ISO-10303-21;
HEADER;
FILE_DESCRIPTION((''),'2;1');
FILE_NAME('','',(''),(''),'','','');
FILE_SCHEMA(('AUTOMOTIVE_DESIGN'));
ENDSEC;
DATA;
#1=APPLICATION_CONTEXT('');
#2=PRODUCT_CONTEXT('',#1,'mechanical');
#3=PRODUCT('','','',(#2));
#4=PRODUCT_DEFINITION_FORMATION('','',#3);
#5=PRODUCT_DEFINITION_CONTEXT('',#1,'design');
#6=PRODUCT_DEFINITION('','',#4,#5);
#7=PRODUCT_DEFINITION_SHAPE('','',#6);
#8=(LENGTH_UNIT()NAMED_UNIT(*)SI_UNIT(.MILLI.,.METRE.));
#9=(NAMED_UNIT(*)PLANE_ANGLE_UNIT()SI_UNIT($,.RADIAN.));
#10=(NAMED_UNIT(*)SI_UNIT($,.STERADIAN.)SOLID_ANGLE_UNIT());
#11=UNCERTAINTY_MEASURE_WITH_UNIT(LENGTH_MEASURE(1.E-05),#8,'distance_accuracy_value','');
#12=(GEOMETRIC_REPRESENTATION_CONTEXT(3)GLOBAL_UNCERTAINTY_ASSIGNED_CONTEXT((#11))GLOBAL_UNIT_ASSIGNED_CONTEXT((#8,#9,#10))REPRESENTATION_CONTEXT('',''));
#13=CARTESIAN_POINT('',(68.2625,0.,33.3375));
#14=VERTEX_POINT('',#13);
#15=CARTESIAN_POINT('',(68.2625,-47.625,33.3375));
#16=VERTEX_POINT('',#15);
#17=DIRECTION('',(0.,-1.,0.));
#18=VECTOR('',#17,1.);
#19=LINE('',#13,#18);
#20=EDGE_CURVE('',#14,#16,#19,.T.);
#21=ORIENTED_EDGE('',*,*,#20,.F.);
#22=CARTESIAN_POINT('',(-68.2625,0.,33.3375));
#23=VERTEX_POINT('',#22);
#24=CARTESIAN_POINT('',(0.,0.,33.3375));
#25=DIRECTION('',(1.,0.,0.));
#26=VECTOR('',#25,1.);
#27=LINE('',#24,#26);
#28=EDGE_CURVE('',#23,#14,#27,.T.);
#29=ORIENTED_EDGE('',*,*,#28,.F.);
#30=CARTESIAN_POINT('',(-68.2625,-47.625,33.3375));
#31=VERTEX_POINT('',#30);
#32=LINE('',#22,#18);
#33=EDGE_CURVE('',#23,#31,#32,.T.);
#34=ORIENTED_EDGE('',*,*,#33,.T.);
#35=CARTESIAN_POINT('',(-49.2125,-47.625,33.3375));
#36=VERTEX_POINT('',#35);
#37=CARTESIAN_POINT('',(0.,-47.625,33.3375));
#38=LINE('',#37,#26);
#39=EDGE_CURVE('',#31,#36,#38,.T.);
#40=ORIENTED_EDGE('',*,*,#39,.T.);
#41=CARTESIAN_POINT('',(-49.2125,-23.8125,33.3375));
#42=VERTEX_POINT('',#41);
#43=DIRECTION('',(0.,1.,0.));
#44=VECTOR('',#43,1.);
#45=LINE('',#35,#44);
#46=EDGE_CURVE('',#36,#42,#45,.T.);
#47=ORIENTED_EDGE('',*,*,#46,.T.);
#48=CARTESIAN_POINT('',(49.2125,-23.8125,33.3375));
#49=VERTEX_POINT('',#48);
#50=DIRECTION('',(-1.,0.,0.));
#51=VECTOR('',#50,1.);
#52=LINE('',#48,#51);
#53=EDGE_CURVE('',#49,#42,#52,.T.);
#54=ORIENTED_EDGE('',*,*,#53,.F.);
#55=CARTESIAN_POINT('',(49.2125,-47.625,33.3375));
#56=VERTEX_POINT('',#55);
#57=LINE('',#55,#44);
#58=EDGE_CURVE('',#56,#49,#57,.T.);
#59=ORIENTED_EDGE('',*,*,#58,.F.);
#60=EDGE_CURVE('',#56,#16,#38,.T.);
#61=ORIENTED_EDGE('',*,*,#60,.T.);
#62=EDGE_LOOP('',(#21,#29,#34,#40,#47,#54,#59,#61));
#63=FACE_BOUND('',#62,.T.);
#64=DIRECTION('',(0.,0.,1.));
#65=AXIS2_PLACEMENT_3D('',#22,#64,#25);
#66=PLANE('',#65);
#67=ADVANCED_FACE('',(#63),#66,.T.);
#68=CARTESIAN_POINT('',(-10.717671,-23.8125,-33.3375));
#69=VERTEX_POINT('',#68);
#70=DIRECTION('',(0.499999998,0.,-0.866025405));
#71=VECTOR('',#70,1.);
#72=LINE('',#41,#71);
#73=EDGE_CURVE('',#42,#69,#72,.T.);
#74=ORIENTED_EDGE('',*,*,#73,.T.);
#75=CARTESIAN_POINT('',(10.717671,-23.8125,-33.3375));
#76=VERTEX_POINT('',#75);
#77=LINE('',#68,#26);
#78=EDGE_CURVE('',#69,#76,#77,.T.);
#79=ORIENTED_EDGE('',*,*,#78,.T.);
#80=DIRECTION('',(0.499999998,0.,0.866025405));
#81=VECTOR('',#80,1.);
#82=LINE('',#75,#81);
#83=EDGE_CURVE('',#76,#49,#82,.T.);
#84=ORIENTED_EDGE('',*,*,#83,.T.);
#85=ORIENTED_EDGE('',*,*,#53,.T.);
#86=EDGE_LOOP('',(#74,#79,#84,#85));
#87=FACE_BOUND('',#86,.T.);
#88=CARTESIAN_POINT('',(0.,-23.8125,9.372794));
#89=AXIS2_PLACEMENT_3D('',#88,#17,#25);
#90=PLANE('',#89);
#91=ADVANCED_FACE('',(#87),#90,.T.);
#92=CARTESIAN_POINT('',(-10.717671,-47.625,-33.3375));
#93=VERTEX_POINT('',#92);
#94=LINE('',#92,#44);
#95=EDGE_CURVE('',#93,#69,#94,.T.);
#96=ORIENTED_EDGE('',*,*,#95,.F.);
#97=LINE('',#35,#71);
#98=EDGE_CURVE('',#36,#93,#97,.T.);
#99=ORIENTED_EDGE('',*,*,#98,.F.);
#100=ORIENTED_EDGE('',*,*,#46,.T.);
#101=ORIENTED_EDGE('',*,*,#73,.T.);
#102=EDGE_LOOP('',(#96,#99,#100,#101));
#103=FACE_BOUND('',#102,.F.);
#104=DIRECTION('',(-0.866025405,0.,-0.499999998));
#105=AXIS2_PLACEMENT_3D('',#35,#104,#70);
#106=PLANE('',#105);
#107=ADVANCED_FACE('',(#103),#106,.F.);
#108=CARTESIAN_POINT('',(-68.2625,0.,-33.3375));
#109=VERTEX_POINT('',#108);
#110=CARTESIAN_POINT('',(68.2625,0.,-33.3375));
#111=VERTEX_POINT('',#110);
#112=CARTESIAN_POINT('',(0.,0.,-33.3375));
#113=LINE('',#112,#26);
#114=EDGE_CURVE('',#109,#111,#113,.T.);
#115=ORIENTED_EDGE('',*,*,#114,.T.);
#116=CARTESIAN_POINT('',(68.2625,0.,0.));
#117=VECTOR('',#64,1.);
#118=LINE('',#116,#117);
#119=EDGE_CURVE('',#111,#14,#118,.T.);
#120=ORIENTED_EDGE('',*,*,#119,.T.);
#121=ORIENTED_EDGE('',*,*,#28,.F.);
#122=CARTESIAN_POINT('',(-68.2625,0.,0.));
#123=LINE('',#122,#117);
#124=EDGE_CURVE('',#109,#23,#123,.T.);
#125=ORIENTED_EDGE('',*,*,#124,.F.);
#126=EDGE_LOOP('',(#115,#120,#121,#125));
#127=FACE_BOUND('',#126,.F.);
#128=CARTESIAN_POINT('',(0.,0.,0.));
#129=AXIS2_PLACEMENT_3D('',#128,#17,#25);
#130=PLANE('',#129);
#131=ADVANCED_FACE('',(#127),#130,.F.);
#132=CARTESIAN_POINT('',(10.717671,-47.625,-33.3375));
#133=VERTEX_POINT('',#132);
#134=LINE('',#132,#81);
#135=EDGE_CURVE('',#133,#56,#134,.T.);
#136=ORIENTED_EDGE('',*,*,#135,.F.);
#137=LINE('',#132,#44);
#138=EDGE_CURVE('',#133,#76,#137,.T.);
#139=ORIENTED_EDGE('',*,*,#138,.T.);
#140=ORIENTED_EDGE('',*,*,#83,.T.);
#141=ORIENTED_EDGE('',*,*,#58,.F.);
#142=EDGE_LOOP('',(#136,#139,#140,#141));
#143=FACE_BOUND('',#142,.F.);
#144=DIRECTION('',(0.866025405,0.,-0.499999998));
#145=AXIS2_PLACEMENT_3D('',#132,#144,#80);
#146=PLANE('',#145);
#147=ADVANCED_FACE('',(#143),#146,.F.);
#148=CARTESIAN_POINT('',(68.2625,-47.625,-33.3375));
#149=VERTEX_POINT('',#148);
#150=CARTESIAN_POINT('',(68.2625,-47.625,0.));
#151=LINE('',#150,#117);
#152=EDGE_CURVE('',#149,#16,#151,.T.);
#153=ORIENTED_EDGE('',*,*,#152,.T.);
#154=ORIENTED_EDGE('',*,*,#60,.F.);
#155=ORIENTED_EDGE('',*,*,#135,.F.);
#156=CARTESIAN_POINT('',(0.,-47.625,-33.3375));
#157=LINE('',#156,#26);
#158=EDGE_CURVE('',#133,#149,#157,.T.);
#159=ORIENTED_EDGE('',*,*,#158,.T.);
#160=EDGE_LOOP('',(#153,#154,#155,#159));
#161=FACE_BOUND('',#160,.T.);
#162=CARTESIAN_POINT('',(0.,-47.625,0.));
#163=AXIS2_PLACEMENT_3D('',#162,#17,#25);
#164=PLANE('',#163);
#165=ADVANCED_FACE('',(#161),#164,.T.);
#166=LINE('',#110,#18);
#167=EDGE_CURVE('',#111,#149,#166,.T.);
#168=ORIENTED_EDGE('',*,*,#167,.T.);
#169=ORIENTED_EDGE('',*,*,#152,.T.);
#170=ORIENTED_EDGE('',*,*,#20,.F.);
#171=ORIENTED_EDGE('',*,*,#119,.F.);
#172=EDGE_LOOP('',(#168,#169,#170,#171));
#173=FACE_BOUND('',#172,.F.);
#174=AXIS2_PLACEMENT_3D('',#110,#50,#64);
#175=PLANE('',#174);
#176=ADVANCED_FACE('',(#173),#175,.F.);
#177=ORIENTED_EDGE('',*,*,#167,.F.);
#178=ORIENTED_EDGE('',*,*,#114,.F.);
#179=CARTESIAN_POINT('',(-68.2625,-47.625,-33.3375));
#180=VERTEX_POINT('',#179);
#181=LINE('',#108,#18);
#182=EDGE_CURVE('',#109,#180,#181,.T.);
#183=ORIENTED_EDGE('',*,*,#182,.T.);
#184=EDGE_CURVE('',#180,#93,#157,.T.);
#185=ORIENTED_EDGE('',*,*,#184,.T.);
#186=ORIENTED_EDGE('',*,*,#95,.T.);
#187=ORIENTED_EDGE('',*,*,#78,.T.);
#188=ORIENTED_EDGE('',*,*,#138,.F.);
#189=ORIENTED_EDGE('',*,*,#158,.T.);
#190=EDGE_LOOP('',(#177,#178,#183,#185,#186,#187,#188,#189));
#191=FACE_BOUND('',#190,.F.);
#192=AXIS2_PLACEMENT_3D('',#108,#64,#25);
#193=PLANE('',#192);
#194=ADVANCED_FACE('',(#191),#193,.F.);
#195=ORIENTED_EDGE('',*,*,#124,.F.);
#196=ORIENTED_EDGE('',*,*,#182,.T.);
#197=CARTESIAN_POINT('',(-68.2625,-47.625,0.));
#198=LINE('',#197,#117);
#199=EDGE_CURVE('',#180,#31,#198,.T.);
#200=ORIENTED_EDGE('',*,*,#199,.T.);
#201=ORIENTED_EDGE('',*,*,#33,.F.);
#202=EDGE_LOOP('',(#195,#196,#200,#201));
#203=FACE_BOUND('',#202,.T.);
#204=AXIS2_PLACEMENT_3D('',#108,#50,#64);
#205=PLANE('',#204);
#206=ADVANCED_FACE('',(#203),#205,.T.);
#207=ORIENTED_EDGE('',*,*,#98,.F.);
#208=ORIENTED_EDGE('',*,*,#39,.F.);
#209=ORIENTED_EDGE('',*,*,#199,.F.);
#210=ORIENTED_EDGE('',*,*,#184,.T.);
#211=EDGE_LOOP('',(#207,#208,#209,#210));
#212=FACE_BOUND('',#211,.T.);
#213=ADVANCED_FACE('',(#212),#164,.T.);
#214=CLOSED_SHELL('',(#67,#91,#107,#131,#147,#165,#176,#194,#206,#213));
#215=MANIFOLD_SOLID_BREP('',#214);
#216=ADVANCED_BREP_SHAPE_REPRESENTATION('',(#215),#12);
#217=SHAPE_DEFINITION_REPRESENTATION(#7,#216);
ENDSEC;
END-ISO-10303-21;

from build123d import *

# Parameters (mm, degrees)
F0_W     = 136.525
F0_H     = 66.675
F1_DEPTH = 47.625
F3_DEPTH = 23.8125


with BuildPart() as f1:
    # F0 (on Front) → F1 (new body)
    with BuildSketch(Plane.XZ):
        Rectangle(F0_W, F0_H)
    extrude(amount=F1_DEPTH)

    # F2 (on face) → F3 (cut)
    with BuildSketch(Plane.XZ.offset(47.625)):
        Polygon((49.2125, 33.3375), (-49.2125, 33.3375), (-10.717671, -33.3375), (10.717671, -33.3375), align=None)
    extrude(amount=-F3_DEPTH, mode=Mode.SUBTRACT)


solid = f1.part
